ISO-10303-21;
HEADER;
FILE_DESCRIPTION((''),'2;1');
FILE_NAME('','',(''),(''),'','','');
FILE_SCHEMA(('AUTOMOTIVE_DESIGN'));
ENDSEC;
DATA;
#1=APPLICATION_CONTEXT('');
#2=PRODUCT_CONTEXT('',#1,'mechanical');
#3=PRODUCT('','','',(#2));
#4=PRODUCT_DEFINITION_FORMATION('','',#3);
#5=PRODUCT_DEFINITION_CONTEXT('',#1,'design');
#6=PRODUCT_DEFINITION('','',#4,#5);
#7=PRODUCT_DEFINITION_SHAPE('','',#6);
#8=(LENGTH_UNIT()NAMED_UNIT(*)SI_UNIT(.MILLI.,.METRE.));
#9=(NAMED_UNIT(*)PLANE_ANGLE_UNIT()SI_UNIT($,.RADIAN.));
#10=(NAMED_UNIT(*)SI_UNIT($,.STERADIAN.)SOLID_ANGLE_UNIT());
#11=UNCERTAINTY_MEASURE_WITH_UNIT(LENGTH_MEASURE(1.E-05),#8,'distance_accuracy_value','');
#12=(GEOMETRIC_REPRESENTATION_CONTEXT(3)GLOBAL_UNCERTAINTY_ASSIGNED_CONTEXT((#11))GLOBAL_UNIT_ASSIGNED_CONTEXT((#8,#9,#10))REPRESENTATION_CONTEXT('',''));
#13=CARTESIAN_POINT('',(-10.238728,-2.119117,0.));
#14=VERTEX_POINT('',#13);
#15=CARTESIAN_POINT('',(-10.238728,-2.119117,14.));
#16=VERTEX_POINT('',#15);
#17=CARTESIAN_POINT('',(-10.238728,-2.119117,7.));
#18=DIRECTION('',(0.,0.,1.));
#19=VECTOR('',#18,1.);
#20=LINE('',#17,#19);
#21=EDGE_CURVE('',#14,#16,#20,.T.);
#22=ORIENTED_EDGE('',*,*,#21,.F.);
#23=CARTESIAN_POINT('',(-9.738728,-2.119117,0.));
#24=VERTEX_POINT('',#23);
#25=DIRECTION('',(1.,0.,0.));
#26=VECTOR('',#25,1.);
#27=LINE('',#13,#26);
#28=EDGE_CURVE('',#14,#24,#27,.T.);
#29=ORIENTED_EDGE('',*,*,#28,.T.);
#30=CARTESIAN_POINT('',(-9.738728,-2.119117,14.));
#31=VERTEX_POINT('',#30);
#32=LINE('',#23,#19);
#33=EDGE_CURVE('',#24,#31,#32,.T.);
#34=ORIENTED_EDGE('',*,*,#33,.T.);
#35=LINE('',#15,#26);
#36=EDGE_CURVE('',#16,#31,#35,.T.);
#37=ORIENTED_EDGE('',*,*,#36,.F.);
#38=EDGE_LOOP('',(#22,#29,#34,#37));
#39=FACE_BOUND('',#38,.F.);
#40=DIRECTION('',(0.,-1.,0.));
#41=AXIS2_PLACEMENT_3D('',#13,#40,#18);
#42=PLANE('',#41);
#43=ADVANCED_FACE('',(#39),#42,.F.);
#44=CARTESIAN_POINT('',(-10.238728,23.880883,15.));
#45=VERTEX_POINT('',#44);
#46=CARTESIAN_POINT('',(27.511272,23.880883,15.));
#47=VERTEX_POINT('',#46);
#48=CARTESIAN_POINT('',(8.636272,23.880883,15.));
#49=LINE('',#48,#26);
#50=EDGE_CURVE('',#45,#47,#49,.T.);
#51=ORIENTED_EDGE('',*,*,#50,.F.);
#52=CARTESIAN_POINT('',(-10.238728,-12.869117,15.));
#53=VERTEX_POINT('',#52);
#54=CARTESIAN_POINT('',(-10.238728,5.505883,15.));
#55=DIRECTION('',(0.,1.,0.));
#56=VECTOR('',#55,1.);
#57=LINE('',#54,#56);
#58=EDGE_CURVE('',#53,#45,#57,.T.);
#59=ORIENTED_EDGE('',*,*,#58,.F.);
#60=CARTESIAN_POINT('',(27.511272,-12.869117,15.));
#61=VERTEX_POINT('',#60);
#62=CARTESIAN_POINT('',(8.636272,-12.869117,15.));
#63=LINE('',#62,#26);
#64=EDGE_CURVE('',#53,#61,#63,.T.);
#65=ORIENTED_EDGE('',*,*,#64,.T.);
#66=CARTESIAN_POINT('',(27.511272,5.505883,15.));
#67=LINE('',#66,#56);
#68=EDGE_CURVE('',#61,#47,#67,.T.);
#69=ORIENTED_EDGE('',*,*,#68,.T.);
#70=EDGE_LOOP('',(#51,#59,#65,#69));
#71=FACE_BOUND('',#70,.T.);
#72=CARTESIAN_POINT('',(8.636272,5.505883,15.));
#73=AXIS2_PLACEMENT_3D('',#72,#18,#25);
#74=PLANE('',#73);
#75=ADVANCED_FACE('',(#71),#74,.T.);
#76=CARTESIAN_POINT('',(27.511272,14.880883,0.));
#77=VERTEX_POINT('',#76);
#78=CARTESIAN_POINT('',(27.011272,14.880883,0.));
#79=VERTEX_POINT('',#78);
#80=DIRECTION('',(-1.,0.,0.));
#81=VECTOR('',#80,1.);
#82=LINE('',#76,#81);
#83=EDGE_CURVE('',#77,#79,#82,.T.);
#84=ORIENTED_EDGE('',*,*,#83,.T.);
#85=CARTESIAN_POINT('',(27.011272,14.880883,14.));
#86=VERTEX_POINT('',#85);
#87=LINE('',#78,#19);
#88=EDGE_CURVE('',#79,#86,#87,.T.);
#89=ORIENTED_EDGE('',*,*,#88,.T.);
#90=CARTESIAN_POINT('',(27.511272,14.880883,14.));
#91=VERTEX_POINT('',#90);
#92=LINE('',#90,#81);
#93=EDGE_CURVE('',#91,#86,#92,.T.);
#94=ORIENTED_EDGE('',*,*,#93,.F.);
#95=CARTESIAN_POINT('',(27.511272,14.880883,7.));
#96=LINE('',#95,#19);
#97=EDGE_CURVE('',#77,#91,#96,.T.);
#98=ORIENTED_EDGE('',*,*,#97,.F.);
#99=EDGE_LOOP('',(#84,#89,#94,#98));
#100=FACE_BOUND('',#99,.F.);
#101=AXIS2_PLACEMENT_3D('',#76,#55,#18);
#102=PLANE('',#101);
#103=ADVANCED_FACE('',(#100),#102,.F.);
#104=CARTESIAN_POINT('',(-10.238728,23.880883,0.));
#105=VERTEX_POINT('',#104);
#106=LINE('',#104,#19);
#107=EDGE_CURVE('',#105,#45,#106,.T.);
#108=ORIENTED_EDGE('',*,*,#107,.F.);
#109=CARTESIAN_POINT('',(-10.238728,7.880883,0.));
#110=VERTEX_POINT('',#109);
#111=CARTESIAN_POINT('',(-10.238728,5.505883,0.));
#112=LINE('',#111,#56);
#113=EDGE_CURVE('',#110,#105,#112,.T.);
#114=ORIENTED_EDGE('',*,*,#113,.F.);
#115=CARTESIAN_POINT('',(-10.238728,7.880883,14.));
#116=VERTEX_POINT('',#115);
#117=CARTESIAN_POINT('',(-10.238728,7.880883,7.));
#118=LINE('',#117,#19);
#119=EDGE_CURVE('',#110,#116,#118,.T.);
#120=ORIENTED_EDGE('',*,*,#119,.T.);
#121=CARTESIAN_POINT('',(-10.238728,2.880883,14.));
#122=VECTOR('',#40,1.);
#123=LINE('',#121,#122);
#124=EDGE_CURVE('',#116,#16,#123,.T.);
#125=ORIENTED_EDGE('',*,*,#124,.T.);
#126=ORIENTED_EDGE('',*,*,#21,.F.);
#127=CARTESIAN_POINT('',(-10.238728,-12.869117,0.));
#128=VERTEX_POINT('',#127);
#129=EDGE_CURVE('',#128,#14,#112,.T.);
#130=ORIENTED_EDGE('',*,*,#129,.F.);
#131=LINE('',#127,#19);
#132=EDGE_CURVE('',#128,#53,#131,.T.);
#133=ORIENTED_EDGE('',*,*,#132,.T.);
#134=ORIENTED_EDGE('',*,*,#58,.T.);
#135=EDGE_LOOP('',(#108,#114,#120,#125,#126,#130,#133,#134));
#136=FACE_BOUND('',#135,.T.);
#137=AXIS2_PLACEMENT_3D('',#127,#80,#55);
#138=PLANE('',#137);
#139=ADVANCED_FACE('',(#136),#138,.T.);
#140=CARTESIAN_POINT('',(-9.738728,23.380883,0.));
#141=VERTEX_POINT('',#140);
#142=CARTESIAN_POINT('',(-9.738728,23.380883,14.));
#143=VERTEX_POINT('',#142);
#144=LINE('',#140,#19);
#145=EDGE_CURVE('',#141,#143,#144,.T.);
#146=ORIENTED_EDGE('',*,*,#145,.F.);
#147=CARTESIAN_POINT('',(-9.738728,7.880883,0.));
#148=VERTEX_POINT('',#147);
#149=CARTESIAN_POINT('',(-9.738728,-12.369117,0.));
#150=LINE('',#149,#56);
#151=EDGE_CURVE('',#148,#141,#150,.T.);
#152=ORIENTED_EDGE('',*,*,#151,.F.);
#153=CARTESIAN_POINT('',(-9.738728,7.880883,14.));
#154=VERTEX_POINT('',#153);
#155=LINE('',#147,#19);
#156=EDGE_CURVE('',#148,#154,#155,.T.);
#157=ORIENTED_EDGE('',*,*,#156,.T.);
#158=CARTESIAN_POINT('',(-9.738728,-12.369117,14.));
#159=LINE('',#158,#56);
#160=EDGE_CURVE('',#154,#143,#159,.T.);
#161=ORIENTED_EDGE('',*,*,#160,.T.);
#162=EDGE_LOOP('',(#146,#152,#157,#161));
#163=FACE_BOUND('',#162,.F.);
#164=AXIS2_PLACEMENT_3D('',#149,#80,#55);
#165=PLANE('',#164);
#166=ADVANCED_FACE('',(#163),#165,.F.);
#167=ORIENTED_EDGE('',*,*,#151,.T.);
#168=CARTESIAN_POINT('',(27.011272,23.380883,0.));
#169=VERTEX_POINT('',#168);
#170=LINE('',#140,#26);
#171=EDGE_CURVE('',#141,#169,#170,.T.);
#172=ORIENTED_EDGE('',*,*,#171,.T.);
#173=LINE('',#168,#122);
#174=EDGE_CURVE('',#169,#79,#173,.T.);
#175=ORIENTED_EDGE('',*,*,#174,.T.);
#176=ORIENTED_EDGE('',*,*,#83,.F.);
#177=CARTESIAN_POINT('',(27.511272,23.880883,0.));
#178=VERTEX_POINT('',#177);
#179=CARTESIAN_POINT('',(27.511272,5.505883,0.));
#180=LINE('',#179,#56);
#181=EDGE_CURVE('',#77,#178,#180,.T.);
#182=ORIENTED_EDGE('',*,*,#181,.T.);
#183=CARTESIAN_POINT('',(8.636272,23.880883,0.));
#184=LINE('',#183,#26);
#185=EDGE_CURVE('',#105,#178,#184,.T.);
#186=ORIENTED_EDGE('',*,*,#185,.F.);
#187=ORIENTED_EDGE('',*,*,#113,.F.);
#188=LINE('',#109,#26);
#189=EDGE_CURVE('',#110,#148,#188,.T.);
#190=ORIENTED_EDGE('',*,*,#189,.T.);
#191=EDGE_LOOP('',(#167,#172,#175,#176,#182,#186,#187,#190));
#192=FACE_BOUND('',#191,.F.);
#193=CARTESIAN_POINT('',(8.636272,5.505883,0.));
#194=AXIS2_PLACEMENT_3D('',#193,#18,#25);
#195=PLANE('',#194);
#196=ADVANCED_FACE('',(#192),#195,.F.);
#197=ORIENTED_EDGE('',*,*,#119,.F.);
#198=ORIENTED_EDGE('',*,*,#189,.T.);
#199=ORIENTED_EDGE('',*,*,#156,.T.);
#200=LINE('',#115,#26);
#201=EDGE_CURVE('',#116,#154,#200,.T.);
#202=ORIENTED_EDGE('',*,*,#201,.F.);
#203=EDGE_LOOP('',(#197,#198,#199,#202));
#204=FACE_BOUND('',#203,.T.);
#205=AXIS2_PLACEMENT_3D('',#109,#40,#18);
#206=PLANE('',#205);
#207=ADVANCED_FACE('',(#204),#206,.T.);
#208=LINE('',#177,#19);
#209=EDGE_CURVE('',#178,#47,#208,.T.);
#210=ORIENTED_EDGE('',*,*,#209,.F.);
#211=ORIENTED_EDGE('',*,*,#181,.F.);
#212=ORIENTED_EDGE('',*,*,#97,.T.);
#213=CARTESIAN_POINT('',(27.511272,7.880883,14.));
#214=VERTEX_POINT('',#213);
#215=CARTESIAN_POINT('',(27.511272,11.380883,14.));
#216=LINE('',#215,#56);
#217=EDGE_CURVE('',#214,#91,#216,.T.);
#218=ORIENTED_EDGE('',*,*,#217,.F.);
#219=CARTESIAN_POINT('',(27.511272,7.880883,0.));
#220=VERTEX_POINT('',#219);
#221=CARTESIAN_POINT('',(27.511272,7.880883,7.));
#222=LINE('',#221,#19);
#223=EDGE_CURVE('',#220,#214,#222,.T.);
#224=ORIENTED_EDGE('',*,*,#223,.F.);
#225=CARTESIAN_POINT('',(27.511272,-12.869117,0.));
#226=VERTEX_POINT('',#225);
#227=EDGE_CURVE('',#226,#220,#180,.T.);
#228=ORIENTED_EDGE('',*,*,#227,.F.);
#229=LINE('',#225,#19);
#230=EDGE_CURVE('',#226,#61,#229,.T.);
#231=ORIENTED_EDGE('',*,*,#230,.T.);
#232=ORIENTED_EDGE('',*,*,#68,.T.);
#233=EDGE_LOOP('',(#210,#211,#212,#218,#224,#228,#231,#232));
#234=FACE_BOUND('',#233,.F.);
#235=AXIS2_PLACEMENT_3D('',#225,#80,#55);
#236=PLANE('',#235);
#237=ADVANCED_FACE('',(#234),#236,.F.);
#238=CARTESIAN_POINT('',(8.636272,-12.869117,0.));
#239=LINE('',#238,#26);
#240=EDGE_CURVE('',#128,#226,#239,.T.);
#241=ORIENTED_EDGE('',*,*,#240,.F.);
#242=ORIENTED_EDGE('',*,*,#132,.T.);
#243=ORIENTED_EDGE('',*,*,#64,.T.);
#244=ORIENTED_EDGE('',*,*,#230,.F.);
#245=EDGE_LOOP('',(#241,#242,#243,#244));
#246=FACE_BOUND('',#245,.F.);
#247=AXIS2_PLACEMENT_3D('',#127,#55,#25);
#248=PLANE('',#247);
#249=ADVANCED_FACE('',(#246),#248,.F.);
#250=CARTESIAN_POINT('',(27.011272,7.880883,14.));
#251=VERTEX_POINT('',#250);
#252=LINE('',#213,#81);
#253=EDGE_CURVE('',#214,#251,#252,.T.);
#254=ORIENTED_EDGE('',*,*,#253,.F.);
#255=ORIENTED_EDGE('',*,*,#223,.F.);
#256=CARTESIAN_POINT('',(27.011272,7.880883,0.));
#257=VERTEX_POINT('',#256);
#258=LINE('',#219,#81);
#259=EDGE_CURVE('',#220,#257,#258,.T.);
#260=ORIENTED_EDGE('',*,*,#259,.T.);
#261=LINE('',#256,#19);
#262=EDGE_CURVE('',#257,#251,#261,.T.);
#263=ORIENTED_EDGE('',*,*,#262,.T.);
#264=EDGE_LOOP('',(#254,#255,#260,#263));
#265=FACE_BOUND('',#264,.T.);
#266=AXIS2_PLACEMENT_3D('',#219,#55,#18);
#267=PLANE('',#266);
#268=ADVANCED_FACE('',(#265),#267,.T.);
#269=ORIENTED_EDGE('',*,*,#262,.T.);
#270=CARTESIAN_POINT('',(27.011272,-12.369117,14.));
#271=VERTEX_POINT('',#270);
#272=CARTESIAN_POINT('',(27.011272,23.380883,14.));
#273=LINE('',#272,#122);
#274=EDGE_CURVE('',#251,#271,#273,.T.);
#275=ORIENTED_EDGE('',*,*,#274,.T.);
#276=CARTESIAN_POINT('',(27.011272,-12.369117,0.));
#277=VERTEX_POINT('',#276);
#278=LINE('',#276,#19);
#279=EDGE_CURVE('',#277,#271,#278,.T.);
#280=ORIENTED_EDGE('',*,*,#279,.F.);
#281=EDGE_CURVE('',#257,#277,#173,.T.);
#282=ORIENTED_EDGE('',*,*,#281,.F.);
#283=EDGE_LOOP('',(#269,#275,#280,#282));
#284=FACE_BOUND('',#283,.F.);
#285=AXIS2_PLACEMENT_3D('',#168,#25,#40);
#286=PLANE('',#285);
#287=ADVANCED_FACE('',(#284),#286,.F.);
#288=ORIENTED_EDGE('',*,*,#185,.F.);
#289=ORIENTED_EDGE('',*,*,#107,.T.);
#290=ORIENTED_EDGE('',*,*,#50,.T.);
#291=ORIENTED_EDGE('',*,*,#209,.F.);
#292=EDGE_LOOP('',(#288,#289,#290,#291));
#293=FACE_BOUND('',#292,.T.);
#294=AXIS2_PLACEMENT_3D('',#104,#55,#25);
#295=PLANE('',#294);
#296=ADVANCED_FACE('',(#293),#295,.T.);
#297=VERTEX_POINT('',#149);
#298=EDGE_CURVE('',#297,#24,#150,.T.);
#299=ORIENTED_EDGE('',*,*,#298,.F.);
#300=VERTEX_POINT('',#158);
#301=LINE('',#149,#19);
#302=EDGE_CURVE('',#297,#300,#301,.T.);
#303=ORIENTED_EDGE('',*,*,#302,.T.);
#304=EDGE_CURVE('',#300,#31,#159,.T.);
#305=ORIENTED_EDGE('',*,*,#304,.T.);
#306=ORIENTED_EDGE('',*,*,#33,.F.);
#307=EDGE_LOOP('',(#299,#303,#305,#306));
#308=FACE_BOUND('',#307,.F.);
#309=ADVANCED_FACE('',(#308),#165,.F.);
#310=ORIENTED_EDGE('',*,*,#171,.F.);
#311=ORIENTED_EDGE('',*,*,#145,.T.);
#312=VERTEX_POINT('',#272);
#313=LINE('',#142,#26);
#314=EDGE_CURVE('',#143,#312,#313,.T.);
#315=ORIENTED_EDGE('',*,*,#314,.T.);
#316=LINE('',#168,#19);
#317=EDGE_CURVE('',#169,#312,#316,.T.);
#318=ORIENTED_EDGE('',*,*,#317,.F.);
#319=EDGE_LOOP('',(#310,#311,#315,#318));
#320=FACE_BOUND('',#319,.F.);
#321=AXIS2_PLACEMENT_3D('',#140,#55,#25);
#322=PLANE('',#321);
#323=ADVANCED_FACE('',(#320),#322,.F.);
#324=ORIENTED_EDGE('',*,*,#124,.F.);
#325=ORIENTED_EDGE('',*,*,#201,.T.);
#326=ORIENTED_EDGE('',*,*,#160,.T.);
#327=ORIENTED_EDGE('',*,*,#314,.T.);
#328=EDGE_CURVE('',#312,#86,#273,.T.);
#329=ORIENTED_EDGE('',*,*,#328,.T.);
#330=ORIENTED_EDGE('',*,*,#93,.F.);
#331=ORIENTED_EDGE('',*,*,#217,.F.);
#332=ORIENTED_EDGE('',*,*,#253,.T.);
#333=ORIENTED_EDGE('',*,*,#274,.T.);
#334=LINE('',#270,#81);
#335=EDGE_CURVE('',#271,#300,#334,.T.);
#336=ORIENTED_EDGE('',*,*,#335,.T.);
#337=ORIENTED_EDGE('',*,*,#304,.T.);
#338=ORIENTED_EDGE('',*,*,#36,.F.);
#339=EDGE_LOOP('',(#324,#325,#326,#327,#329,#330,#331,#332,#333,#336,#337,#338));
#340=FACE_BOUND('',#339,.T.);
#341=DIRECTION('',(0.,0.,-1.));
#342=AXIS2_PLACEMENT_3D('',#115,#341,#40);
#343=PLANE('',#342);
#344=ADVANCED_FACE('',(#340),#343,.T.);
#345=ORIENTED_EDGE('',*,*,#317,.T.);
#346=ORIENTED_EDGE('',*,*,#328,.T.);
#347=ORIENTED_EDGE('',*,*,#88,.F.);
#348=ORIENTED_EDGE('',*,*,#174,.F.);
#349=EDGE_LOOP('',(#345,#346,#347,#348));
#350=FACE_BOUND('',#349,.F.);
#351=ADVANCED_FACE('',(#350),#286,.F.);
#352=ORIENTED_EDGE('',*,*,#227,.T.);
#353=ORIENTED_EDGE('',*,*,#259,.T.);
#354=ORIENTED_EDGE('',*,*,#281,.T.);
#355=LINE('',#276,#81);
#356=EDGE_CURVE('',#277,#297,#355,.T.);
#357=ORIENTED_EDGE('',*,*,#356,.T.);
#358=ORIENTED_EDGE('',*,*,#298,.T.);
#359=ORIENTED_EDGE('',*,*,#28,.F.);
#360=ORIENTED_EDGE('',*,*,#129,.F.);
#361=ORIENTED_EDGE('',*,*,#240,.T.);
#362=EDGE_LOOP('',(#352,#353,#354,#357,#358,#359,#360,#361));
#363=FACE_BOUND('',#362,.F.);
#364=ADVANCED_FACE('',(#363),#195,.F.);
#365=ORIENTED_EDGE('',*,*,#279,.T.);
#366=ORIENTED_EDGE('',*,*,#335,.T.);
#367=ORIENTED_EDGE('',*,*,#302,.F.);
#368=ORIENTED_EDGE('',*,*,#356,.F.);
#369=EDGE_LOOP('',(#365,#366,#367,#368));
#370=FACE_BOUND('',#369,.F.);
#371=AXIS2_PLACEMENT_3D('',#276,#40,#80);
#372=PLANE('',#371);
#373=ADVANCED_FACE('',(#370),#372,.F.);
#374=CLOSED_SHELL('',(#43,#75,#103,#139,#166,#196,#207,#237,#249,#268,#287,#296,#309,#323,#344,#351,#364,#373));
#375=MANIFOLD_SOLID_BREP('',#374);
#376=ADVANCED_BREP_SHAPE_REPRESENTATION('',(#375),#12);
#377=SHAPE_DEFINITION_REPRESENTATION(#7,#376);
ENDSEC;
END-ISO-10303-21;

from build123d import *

# Parameters (mm, degrees)
F0_W     = 37.75
F0_H     = 36.75
F1_DEPTH = 15
F3_DEPTH = 14
F4_W     = 7
F4_H     = 14
F5_DEPTH = 5
F6_W     = 10
F6_H     = 14
F7_DEPTH = 3


with BuildPart() as f1:
    # F0 (on Top) → F1 (new body)
    with BuildSketch(Plane.XY):
        with Locations((8.636272, 5.505883)):
            Rectangle(F0_W, F0_H)
    extrude(amount=F1_DEPTH)

    # F2 (on face) → F3 (cut)
    with BuildSketch(Plane(origin=(0, 0, 0), x_dir=(1, 0, 0), z_dir=(0, 0, -1))):
        Polygon((-9.738728, -23.380883), (27.011272, -23.380883), (27.011272, 5.682816), (27.011272, 8.965187), (27.011272, 12.369117), (-9.738728, 12.369117), (-9.738728, -10.72904), (-9.738728, -14.316749), align=None)
    extrude(amount=-F3_DEPTH, mode=Mode.SUBTRACT)

    # F4 (on face) → F5 (cut)
    with BuildSketch(Plane.YZ.offset(27.511272)):
        with Locations((11.380883, 7)):
            Rectangle(F4_W, F4_H)
    extrude(amount=-F5_DEPTH, mode=Mode.SUBTRACT)

    # F6 (on face) → F7 (cut)
    with BuildSketch(Plane(origin=(-10.238728, 0, 0), x_dir=(0, -1, 0), z_dir=(-1, 0, 0))):
        with Locations((-2.880883, 7)):
            Rectangle(F6_W, F6_H)
    extrude(amount=-F7_DEPTH, mode=Mode.SUBTRACT)


solid = f1.part
